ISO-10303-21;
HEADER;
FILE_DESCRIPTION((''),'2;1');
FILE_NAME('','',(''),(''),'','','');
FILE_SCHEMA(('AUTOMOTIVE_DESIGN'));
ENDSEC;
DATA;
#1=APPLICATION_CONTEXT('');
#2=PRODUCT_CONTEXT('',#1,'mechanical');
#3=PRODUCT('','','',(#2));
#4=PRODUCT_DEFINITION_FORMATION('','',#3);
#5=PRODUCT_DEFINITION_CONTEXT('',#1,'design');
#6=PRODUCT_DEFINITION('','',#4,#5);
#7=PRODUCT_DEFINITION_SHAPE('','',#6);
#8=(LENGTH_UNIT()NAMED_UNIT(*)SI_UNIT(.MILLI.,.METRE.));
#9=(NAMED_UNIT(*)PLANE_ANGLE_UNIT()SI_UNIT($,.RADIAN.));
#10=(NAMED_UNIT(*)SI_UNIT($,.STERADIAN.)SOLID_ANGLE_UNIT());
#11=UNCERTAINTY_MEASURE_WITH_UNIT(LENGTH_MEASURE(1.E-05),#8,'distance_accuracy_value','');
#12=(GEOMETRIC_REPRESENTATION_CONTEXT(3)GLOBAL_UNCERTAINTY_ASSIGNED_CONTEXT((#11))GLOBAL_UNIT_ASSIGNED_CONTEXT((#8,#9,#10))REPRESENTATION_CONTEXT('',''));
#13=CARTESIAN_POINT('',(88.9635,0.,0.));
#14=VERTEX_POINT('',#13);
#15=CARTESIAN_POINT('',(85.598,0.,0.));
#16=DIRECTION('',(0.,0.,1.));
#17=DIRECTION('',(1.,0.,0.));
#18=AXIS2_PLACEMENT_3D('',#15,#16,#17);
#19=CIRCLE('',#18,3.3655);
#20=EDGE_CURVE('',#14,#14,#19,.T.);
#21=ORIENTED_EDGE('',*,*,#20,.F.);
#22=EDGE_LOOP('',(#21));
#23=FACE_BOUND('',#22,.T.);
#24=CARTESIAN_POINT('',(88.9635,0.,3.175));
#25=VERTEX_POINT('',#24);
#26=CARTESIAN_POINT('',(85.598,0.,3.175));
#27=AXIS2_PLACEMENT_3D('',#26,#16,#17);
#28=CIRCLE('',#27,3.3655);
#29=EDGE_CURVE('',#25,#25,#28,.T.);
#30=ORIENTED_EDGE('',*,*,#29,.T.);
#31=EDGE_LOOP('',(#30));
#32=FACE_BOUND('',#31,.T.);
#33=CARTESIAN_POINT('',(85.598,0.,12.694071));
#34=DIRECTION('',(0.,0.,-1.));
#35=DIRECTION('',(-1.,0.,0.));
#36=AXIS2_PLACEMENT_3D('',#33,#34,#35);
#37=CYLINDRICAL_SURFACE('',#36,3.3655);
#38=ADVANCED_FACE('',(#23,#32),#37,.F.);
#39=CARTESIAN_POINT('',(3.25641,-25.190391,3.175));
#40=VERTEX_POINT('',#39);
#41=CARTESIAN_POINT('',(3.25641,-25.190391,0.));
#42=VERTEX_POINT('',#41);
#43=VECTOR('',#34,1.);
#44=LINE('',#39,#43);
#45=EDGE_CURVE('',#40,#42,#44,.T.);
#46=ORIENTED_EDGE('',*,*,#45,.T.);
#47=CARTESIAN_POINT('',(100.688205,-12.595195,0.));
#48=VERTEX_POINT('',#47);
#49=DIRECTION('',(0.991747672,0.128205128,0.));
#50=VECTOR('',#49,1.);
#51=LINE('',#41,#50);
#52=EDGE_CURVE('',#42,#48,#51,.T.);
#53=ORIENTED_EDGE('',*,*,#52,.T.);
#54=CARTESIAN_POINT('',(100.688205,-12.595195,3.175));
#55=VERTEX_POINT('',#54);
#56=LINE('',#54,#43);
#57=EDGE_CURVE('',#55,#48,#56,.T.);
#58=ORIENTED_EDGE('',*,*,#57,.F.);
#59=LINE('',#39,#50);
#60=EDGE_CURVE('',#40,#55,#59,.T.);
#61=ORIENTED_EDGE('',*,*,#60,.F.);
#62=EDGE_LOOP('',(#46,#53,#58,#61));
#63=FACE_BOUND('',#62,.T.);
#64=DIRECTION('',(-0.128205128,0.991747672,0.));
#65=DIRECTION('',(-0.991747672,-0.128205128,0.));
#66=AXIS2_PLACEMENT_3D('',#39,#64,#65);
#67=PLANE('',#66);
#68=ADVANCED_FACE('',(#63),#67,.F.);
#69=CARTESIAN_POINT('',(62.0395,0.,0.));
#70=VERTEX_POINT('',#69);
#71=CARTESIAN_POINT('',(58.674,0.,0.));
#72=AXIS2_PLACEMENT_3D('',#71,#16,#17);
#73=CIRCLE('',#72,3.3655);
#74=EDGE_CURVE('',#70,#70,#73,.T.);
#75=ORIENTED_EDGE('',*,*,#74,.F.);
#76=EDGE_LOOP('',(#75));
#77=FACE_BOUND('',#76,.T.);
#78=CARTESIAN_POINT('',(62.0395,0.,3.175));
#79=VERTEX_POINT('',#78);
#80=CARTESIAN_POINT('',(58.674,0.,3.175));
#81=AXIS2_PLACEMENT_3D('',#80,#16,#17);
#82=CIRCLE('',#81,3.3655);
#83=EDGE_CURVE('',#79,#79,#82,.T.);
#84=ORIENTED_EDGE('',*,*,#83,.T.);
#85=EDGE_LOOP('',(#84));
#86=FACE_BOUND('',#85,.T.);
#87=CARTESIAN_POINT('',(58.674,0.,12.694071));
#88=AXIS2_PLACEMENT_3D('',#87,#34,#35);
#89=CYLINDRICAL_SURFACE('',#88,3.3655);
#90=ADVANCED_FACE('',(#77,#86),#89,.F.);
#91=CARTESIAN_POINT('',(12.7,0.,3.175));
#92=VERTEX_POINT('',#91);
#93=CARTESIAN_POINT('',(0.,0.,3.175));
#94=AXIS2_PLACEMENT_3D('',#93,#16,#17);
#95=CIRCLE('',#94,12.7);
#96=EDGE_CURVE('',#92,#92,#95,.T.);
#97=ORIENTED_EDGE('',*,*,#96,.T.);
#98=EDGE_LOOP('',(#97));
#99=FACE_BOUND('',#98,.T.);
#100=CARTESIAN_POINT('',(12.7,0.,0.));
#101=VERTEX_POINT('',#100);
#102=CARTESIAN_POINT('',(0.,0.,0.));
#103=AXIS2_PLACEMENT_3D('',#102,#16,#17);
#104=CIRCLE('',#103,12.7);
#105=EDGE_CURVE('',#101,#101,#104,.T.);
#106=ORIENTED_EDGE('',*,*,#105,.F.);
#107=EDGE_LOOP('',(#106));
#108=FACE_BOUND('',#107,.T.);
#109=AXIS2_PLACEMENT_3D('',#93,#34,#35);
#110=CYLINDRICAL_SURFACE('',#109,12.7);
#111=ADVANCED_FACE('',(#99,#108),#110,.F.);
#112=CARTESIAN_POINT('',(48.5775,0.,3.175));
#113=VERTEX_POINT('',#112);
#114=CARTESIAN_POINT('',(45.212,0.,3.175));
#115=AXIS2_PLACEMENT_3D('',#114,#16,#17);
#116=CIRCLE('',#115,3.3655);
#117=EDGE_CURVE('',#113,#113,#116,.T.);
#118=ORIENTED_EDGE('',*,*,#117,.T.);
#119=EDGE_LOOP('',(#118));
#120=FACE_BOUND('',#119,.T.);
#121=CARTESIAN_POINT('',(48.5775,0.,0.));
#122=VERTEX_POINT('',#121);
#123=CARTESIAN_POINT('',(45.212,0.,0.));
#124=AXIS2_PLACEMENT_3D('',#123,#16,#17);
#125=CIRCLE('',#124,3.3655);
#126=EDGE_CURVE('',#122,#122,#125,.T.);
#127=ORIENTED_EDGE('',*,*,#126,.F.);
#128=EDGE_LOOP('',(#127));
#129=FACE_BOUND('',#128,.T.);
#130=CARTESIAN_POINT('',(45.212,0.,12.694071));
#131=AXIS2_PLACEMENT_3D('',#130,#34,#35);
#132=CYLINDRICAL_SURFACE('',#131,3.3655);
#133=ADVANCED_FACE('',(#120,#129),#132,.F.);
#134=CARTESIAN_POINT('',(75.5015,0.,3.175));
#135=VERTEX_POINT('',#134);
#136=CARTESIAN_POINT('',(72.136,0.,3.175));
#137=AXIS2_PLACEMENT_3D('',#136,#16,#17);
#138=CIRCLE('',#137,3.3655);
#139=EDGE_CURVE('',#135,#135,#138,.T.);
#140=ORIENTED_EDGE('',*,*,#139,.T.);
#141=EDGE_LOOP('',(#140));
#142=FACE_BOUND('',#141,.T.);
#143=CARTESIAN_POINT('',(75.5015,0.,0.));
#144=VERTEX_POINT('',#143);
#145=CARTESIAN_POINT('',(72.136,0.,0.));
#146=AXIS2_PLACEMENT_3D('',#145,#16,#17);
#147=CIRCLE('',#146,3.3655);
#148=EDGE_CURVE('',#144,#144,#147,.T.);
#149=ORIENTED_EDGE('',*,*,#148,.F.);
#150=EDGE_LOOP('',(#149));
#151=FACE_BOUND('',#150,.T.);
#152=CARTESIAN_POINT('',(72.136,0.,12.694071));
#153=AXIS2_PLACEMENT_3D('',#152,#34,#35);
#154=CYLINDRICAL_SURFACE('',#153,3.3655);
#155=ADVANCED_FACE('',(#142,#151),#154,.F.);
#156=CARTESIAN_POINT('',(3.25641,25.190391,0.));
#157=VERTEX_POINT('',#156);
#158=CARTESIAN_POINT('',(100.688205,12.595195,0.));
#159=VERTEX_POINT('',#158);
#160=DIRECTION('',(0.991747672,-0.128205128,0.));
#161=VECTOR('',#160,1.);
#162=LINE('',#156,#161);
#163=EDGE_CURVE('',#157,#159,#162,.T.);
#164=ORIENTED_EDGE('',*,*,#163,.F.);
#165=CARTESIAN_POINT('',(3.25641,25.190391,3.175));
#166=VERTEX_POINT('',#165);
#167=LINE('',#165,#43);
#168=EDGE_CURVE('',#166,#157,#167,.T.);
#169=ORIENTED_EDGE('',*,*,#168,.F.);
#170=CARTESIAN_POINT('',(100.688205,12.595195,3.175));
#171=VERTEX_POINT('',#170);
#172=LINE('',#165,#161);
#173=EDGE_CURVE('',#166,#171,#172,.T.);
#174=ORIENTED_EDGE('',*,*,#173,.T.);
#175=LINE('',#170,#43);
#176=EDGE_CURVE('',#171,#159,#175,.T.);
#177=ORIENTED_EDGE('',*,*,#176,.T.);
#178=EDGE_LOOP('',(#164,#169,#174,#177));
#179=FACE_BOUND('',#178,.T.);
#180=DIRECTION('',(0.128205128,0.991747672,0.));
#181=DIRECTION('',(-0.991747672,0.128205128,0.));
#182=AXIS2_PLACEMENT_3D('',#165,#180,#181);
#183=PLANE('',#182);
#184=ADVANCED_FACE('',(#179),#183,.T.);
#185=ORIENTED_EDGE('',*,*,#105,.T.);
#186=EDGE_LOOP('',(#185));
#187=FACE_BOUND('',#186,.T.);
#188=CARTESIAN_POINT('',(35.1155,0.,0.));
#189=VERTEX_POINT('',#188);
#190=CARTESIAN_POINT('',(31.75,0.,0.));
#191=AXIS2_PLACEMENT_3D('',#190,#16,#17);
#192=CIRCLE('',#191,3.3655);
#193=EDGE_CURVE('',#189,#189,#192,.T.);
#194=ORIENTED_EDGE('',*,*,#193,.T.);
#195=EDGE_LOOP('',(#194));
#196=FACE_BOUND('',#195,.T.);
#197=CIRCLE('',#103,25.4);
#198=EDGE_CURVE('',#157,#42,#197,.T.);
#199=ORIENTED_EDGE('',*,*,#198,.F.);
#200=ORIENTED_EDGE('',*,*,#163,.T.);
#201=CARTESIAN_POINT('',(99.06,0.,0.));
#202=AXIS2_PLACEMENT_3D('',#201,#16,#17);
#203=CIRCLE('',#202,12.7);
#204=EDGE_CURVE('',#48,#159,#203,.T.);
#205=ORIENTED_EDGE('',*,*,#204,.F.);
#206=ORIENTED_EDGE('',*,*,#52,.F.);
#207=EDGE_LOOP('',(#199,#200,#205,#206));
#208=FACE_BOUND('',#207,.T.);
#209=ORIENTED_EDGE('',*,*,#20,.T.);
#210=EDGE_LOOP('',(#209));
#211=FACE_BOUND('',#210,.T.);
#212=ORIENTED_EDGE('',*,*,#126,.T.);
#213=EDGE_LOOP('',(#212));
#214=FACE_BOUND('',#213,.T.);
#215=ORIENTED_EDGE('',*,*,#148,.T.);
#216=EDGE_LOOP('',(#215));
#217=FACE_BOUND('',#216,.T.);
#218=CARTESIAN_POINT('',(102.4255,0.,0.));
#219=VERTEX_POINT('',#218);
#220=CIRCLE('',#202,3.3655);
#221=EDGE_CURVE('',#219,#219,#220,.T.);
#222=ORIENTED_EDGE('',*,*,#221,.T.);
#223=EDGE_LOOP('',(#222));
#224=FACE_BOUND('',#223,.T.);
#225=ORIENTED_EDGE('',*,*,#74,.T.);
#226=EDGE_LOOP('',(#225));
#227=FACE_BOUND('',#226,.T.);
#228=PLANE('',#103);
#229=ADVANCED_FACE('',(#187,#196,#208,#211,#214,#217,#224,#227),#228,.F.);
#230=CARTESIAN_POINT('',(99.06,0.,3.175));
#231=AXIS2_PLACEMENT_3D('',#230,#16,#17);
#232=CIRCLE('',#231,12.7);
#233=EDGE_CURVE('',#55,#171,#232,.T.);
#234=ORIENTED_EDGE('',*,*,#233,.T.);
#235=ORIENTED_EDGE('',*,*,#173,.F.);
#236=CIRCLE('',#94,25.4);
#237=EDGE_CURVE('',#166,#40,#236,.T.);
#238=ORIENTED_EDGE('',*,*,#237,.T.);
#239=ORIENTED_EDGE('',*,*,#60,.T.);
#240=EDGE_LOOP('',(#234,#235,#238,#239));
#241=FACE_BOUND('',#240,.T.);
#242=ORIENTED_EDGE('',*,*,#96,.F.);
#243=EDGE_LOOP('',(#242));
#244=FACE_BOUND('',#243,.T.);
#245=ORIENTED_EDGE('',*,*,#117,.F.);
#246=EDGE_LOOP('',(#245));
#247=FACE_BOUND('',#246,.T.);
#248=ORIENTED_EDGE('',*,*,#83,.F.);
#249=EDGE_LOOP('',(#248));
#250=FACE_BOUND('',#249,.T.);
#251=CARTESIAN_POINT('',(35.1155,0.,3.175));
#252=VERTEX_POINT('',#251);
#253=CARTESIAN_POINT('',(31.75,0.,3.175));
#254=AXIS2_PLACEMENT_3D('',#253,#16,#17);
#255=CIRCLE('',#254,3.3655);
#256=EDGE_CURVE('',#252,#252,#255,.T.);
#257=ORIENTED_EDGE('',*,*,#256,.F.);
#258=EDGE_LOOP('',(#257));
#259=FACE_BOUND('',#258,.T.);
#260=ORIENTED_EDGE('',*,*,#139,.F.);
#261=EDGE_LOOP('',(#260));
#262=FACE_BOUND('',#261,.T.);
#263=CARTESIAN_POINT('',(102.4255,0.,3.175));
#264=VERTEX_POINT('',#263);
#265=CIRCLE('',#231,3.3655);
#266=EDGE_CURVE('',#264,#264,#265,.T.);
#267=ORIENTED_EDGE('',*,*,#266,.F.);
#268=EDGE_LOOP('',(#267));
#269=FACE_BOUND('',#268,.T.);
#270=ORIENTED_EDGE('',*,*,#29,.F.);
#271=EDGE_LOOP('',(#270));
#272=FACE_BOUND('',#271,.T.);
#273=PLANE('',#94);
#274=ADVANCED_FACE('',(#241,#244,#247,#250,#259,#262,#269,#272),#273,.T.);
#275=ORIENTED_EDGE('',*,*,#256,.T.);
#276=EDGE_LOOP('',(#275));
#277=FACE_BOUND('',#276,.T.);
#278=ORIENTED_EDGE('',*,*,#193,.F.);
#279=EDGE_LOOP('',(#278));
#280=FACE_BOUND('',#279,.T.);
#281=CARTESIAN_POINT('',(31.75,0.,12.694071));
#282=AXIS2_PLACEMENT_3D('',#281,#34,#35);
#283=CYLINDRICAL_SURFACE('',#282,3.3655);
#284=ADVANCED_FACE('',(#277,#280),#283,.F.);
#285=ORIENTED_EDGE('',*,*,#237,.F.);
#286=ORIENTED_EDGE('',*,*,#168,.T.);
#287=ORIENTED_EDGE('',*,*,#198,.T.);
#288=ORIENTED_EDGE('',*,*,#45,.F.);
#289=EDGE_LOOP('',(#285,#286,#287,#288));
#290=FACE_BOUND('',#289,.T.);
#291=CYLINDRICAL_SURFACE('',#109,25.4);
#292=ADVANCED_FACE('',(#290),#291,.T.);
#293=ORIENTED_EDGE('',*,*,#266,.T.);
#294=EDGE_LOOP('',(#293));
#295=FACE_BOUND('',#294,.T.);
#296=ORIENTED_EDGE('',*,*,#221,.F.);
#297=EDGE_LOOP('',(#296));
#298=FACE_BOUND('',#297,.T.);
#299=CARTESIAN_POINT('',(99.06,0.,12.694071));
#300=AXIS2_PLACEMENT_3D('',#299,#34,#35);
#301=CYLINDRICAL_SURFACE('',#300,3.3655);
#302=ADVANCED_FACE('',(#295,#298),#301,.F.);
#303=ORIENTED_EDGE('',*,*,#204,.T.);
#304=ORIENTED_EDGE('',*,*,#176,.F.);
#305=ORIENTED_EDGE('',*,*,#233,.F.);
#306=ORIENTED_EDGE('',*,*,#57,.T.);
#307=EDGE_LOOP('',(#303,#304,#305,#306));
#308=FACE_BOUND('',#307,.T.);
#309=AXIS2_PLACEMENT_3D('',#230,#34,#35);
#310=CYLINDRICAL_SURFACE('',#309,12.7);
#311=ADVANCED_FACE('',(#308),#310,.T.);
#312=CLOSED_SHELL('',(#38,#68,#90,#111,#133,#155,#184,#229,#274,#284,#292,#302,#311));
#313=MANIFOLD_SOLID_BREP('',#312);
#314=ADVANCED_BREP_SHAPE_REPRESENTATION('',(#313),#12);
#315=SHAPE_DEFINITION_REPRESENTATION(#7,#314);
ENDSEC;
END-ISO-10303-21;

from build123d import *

# Parameters (mm, degrees)
FLAT_SKETCH_R           = 25.4
FLAT_SKETCH_R_2         = 12.7
FLAT_SKETCH_R_3         = 3.3655
EXTRUDE_FACE_DEPTH      = 3.175
FLAT_SKETCH_4_R         = 3.3655
EXTRUDE_CUT_HOLES_DEPTH = 3.175


with BuildPart() as part:
    # Flat sketch → Extrude face (new body)
    # profile 1 of 13: a face of its own
    with BuildSketch(Plane.XY):
        Circle(FLAT_SKETCH_R)
        Circle(FLAT_SKETCH_R_2, mode=Mode.SUBTRACT)
    # profile 2 of 13: a face of its own
    with BuildSketch(Plane.XY):
        with BuildLine():
            Line((100.688205128, 12.595195436), (3.256410256, 25.190390871))
            ThreePointArc((3.256410256, 25.190390871), (19.077117451, 16.769722411), (25.4, 0))
            ThreePointArc((25.4, 0), (19.077117451, -16.769722411), (3.256410256, -25.190390871))
            Line((3.256410256, -25.190390871), (100.688205128, -12.595195436))
            ThreePointArc((100.688205128, -12.595195436), (91.936966729, -10.514389997), (86.759121462, -3.158858528))
            ThreePointArc((86.759121462, -3.158858528), (82.2325, 0), (86.759121462, 3.158858528))
            ThreePointArc((86.759121462, 3.158858528), (91.936966729, 10.514389997), (100.688205128, 12.595195436))
        make_face()
        with Locations((31.75, 0)):
            Circle(FLAT_SKETCH_R_3, mode=Mode.SUBTRACT)
        with Locations((45.212, 0)):
            Circle(FLAT_SKETCH_R_3, mode=Mode.SUBTRACT)
        with Locations((58.674, 0)):
            Circle(FLAT_SKETCH_R_3, mode=Mode.SUBTRACT)
        with Locations((72.136, 0)):
            Circle(FLAT_SKETCH_R_3, mode=Mode.SUBTRACT)
    # profile 3 of 13: a face of its own
    with BuildSketch(Plane.XY):
        with Locations((31.75, 0)):
            Circle(FLAT_SKETCH_R_3)
    # profile 4 of 13: a face of its own
    with BuildSketch(Plane.XY):
        with Locations((45.212, 0)):
            Circle(FLAT_SKETCH_R_3)
    # profile 5 of 13: a face of its own
    with BuildSketch(Plane.XY):
        with Locations((58.674, 0)):
            Circle(FLAT_SKETCH_R_3)
    # profile 6 of 13: a face of its own
    with BuildSketch(Plane.XY):
        with Locations((72.136, 0)):
            Circle(FLAT_SKETCH_R_3)
    # profile 7 of 13: a face of its own
    with BuildSketch(Plane.XY):
        with Locations((99.06, 0)):
            Circle(FLAT_SKETCH_R_2)
    # profile 8 of 13: a face of its own
    with BuildSketch(Plane.XY):
        with Locations((85.598, 0)):
            Circle(FLAT_SKETCH_R_3)
    # profile 9 of 13: a face of its own
    with BuildSketch(Plane.XY):
        with Locations((85.598, 0)):
            Circle(FLAT_SKETCH_R_3)
    # profile 10 of 13: a face of its own
    with BuildSketch(Plane.XY):
        with Locations((99.06, 0)):
            Circle(FLAT_SKETCH_R_2)
    # profile 11 of 13: a face of its own
    with BuildSketch(Plane.XY):
        with Locations((99.06, 0)):
            Circle(FLAT_SKETCH_R_2)
        with Locations((99.06, 0)):
            Circle(FLAT_SKETCH_R_3, mode=Mode.SUBTRACT)
    # profile 12 of 13: a face of its own
    with BuildSketch(Plane.XY):
        with Locations((85.598, 0)):
            Circle(FLAT_SKETCH_R_3)
    # profile 13 of 13: a face of its own
    with BuildSketch(Plane.XY):
        with Locations((99.06, 0)):
            Circle(FLAT_SKETCH_R_3)
    extrude(amount=EXTRUDE_FACE_DEPTH)

    # Flat sketch<4> → Extrude cut - holes (cut)
    with BuildSketch(Plane.XY):
        with Locations((99.06, 0)):
            Circle(FLAT_SKETCH_4_R)
        with Locations((85.598, 0)):
            Circle(FLAT_SKETCH_4_R)
        with Locations((72.136, 0)):
            Circle(FLAT_SKETCH_4_R)
        with Locations((58.674, 0)):
            Circle(FLAT_SKETCH_4_R)
        with Locations((45.212, 0)):
            Circle(FLAT_SKETCH_4_R)
        with Locations((31.75, 0)):
            Circle(FLAT_SKETCH_4_R)
    extrude(amount=EXTRUDE_CUT_HOLES_DEPTH, mode=Mode.SUBTRACT)


solid = part.part
